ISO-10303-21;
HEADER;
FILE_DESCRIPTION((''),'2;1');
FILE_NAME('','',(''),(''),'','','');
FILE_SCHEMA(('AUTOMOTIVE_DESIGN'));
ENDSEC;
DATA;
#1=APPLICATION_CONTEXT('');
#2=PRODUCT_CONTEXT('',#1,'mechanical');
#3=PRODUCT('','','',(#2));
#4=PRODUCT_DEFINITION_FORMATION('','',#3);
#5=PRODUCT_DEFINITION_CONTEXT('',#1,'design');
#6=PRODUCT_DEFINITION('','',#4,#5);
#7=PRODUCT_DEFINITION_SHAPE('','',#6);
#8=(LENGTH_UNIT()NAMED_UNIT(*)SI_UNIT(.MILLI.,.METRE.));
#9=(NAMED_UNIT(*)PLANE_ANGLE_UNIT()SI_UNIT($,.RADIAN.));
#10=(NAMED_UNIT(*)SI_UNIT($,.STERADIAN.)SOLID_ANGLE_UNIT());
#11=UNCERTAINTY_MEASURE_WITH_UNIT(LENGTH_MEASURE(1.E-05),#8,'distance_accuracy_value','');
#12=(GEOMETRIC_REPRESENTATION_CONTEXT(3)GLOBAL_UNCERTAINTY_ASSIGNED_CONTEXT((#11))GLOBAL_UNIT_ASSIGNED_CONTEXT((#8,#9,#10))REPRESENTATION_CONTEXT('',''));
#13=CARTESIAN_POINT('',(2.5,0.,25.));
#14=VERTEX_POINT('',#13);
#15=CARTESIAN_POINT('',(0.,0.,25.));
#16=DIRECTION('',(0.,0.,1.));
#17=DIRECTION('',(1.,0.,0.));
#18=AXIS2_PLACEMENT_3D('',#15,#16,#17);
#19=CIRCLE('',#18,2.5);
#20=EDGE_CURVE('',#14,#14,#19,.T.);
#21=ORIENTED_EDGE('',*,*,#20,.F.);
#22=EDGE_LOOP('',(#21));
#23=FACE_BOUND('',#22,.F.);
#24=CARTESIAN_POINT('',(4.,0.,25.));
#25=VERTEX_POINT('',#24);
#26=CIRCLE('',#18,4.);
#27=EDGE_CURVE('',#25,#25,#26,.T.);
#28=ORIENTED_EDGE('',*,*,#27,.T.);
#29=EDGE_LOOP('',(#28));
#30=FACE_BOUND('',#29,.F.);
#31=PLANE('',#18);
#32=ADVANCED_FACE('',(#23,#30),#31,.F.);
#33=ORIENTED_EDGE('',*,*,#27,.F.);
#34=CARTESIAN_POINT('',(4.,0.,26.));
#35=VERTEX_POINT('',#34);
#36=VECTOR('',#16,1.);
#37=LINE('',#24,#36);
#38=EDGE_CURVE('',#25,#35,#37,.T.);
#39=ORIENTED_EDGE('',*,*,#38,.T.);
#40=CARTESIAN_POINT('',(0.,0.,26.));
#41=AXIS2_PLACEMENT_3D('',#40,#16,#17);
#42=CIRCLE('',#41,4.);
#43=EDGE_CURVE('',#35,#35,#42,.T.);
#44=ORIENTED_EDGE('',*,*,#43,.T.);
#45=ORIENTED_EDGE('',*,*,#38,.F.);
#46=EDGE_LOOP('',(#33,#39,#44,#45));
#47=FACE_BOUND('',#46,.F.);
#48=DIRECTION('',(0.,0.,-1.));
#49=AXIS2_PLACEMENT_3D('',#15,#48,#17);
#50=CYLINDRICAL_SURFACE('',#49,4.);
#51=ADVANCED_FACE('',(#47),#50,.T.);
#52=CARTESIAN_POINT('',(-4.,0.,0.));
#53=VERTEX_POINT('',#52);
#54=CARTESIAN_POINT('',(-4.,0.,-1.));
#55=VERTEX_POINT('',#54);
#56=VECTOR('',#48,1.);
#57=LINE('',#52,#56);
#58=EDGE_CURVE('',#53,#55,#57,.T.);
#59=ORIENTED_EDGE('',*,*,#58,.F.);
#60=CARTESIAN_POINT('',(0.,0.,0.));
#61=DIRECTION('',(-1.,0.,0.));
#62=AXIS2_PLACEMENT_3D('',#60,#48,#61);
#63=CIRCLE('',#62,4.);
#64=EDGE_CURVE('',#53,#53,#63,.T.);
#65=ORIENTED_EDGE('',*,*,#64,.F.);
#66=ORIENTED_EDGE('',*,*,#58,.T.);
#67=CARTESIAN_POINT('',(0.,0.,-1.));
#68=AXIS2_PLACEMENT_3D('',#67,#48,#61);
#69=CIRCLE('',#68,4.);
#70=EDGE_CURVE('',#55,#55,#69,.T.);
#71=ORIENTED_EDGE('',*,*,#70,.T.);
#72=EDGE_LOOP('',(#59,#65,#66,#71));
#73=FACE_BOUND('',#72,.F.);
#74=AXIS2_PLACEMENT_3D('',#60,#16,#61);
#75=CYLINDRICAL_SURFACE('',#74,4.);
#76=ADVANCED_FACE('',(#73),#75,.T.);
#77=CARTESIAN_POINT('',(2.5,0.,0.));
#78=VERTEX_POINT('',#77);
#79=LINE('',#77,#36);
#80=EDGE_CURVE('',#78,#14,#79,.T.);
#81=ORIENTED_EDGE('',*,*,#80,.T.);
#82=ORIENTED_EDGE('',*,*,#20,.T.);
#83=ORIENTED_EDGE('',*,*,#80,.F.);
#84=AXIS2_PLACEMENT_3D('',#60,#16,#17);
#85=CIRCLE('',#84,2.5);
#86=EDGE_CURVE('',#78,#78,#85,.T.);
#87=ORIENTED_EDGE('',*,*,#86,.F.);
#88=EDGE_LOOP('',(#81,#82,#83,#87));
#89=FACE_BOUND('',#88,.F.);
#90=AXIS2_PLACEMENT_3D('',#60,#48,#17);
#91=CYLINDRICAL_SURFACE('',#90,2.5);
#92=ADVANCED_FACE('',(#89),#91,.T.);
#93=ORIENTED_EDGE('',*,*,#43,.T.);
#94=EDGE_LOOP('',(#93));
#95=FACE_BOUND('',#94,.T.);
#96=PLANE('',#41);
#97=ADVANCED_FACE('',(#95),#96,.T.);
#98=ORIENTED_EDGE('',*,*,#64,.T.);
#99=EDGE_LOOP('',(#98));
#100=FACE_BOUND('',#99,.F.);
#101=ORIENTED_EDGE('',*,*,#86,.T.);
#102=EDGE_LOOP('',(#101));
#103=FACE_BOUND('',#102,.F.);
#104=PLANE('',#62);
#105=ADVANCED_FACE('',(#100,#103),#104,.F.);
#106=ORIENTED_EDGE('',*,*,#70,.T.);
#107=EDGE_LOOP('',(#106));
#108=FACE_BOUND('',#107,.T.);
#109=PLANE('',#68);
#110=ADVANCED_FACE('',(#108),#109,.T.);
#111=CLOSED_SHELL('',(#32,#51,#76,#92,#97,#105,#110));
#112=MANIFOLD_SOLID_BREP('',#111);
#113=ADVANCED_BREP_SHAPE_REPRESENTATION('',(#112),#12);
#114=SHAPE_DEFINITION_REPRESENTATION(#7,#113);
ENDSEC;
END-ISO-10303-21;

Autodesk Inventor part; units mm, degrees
ref_plane "YZ Plane" through (0, 0, 0) normal (1, 0, 0) x (0, 1, 0)
ref_plane "XZ Plane" through (0, 0, 0) normal (0, 1, 0) x (-1, 0, 0)
ref_plane "XY Plane" through (0, 0, 0) normal (0, 0, 1) x (1, 0, 0)
sketch "Boceto1" plane through (0, 0, 0) normal (0, 0, 1) x (1, 0, 0)
  circle A0 centre (0, 0) radius 2.5
  dimension "d0" = 5
extrude "Extrusión1" add sketch "Boceto1" along normal blind 25
sketch "Boceto2" plane through (0, 0, 25) normal (0, 0, 1) x (1, 0, 0)
  circle A0 centre (0, 0) radius 4
  dimension "d3" = 8
extrude "Extrusión2" add sketch "Boceto2" along normal blind 1
sketch "Boceto3" plane through (0, 0, 0) normal (0, 0, -1) x (-1, 0, 0)
  circle A0 centre (0, 0) radius 4
  dimension "d6" = 8
extrude "Extrusión3" add sketch "Boceto3" along normal blind 1
properties part number "PinLargo"
